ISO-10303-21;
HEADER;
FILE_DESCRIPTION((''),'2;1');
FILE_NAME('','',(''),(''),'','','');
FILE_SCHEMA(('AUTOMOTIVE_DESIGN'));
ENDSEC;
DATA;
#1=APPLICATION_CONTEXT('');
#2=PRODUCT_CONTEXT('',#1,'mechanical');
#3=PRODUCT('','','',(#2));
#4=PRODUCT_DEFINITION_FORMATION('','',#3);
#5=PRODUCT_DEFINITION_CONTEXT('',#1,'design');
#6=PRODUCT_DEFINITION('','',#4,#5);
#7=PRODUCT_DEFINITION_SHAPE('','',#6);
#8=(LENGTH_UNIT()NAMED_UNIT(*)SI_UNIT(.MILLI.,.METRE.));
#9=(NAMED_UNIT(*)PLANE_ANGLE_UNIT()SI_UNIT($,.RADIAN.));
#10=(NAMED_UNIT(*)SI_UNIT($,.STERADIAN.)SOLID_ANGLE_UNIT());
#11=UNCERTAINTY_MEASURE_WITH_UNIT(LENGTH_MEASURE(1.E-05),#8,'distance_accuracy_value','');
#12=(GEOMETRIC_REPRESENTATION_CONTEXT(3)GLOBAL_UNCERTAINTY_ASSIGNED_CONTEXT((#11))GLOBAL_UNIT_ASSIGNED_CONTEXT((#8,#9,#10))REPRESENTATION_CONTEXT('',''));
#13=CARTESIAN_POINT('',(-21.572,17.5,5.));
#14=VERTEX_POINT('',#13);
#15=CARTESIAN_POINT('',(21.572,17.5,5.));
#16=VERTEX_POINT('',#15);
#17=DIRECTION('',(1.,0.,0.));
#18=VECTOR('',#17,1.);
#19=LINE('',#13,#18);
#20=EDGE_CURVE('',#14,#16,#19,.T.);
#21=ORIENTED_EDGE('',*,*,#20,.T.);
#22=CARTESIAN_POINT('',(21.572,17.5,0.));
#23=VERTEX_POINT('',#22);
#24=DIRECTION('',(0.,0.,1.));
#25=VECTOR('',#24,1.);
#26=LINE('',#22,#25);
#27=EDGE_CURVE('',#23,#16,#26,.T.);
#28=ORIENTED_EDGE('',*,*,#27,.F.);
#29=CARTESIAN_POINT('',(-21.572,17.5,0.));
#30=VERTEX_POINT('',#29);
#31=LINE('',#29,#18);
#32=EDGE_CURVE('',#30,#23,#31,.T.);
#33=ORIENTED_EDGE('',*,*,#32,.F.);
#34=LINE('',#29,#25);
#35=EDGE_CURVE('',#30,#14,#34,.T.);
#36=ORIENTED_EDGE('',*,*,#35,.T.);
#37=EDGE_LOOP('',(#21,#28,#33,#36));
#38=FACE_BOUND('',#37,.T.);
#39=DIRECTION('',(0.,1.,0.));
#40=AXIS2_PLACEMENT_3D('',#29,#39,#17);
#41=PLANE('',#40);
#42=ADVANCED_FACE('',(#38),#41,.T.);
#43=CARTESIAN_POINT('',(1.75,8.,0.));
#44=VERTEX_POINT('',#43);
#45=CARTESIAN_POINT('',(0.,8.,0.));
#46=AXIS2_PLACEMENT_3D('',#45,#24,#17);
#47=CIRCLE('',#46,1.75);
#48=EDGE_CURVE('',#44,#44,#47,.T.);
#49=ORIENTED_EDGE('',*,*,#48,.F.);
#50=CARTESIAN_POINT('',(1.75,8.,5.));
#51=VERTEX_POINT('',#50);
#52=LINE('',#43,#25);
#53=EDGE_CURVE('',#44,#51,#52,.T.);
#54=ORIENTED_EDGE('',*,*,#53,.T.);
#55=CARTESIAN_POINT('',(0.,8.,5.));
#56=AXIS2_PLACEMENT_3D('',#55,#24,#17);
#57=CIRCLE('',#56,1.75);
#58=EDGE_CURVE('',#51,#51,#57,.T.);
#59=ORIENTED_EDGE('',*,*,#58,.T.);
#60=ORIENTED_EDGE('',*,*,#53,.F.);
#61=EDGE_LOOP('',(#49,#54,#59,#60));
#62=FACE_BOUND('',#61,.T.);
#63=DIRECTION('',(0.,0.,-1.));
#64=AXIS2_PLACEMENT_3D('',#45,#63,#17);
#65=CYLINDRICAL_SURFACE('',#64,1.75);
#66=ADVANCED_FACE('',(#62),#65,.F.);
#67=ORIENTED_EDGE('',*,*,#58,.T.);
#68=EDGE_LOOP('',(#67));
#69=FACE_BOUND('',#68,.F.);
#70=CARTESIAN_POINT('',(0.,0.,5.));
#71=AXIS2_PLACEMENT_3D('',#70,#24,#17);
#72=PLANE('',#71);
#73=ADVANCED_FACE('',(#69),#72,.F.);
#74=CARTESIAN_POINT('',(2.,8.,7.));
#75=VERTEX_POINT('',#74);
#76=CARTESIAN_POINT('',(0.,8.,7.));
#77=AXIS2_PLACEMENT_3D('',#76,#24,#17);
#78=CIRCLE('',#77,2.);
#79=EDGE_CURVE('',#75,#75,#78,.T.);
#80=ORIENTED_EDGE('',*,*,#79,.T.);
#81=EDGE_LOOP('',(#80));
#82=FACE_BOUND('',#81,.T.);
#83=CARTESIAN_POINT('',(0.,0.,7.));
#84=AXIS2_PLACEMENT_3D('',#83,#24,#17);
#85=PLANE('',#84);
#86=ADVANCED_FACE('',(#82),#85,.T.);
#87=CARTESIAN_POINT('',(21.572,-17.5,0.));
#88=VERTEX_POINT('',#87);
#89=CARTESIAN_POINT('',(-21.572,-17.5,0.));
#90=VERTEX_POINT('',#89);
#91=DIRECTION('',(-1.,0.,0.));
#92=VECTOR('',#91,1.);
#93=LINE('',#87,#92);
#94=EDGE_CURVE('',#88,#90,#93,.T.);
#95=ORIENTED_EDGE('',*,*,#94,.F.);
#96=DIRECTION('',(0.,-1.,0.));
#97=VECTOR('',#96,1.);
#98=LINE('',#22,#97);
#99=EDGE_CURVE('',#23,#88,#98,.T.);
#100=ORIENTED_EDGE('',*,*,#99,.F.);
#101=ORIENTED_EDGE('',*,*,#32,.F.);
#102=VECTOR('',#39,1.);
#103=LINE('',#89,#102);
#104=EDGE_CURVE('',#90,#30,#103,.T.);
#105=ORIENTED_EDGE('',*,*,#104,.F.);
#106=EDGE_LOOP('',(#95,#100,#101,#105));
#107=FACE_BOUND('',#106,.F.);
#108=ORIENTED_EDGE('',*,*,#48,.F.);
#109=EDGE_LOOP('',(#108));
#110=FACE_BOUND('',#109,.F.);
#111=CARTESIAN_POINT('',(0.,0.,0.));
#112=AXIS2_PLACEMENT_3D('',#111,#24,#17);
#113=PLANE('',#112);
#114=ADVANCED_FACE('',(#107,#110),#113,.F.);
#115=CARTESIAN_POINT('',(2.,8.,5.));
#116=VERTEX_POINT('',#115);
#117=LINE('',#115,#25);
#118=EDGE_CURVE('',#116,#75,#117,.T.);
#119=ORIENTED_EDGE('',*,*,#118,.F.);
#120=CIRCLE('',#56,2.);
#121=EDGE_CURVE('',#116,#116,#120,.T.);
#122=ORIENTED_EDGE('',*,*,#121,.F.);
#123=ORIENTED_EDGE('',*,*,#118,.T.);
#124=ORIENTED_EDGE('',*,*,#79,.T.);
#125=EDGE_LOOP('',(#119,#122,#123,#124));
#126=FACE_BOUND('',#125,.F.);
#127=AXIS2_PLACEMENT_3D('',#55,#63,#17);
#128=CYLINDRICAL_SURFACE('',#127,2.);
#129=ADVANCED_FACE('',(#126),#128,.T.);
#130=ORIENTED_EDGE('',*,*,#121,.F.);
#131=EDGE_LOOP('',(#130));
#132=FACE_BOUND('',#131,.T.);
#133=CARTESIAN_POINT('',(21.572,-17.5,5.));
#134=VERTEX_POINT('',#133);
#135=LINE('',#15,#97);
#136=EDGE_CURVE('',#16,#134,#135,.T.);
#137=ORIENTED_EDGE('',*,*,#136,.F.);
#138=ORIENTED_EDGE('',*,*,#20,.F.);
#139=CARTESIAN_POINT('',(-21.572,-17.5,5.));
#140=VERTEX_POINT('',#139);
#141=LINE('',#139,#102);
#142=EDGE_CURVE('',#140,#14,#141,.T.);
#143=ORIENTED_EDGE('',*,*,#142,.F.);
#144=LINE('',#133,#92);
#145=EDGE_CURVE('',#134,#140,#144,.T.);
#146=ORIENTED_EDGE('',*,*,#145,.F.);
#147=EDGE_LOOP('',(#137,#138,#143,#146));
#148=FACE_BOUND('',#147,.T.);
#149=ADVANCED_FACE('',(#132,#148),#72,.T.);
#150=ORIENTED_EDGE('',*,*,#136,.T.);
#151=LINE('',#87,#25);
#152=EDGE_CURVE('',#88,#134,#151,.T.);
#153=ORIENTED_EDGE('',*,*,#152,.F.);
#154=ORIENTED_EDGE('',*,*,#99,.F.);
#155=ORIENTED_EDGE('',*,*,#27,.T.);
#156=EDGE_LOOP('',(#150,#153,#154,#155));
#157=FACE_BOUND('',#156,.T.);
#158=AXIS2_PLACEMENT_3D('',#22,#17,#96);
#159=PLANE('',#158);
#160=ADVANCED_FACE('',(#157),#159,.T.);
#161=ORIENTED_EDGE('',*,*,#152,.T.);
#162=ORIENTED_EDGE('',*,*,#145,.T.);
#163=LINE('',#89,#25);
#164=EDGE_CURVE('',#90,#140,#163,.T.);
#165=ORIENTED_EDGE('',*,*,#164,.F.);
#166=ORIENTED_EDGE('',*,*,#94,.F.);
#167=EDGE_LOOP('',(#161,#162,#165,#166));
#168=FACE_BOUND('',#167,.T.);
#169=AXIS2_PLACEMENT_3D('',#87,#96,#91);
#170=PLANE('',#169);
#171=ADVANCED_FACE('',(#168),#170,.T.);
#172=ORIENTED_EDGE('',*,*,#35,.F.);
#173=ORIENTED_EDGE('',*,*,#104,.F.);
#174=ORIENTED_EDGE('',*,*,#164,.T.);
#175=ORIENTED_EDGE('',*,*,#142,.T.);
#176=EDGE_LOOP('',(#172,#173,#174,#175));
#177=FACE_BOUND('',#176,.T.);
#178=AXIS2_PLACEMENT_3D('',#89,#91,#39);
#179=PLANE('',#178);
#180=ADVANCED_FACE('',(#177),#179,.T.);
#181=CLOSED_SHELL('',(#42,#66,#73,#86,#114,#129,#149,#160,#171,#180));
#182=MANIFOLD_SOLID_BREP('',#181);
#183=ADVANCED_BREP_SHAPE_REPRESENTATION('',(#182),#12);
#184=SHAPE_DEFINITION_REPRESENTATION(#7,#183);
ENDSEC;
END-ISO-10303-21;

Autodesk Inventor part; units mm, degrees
ref_plane "YZ Plane" through (0, 0, 0) normal (1, 0, 0) x (0, 1, 0)
ref_plane "XZ Plane" through (0, 0, 0) normal (0, 1, 0) x (-1, 0, 0)
ref_plane "XY Plane" through (0, 0, 0) normal (0, 0, 1) x (1, 0, 0)
sketch "Boceto1" plane through (0, 0, 0) normal (0, 0, 1) x (1, 0, 0)
  line L0 (21.572, -17.5) -> (-21.572, -17.5)
  line L1 (-21.572, -17.5) -> (-21.572, 17.5)
  line L2 (-21.572, 17.5) -> (21.572, 17.5)
  line L3 (21.572, 17.5) -> (21.572, -17.5)
  line L4 (21.572, -17.5) -> (-21.572, 17.5) construction
  line L5 (-21.572, -17.5) -> (21.572, 17.5) construction
  circle A0 centre (0, 8) radius 1.75
  point P0 (0, 0)
  dimension "d0" = 43.144
  dimension "d1" = 35
  dimension "d3" = 3.5
extrude "Extrusión1" add sketch "Boceto1" along normal blind 5
sketch "Boceto3" plane through (0, 0, 5) normal (0, 0, 1) x (1, 0, 0)
  circle A0 centre (0, 8) radius 1.75 projected
  circle A1 centre (0, 8) radius 2
  point P0 (0, 0)
  dimension "d6" = 4
extrude "Extrusión2" add sketch "Boceto3" along normal blind 2 contours A0 | A1
properties part number "SensorSupport" material "Plástico ABS"
